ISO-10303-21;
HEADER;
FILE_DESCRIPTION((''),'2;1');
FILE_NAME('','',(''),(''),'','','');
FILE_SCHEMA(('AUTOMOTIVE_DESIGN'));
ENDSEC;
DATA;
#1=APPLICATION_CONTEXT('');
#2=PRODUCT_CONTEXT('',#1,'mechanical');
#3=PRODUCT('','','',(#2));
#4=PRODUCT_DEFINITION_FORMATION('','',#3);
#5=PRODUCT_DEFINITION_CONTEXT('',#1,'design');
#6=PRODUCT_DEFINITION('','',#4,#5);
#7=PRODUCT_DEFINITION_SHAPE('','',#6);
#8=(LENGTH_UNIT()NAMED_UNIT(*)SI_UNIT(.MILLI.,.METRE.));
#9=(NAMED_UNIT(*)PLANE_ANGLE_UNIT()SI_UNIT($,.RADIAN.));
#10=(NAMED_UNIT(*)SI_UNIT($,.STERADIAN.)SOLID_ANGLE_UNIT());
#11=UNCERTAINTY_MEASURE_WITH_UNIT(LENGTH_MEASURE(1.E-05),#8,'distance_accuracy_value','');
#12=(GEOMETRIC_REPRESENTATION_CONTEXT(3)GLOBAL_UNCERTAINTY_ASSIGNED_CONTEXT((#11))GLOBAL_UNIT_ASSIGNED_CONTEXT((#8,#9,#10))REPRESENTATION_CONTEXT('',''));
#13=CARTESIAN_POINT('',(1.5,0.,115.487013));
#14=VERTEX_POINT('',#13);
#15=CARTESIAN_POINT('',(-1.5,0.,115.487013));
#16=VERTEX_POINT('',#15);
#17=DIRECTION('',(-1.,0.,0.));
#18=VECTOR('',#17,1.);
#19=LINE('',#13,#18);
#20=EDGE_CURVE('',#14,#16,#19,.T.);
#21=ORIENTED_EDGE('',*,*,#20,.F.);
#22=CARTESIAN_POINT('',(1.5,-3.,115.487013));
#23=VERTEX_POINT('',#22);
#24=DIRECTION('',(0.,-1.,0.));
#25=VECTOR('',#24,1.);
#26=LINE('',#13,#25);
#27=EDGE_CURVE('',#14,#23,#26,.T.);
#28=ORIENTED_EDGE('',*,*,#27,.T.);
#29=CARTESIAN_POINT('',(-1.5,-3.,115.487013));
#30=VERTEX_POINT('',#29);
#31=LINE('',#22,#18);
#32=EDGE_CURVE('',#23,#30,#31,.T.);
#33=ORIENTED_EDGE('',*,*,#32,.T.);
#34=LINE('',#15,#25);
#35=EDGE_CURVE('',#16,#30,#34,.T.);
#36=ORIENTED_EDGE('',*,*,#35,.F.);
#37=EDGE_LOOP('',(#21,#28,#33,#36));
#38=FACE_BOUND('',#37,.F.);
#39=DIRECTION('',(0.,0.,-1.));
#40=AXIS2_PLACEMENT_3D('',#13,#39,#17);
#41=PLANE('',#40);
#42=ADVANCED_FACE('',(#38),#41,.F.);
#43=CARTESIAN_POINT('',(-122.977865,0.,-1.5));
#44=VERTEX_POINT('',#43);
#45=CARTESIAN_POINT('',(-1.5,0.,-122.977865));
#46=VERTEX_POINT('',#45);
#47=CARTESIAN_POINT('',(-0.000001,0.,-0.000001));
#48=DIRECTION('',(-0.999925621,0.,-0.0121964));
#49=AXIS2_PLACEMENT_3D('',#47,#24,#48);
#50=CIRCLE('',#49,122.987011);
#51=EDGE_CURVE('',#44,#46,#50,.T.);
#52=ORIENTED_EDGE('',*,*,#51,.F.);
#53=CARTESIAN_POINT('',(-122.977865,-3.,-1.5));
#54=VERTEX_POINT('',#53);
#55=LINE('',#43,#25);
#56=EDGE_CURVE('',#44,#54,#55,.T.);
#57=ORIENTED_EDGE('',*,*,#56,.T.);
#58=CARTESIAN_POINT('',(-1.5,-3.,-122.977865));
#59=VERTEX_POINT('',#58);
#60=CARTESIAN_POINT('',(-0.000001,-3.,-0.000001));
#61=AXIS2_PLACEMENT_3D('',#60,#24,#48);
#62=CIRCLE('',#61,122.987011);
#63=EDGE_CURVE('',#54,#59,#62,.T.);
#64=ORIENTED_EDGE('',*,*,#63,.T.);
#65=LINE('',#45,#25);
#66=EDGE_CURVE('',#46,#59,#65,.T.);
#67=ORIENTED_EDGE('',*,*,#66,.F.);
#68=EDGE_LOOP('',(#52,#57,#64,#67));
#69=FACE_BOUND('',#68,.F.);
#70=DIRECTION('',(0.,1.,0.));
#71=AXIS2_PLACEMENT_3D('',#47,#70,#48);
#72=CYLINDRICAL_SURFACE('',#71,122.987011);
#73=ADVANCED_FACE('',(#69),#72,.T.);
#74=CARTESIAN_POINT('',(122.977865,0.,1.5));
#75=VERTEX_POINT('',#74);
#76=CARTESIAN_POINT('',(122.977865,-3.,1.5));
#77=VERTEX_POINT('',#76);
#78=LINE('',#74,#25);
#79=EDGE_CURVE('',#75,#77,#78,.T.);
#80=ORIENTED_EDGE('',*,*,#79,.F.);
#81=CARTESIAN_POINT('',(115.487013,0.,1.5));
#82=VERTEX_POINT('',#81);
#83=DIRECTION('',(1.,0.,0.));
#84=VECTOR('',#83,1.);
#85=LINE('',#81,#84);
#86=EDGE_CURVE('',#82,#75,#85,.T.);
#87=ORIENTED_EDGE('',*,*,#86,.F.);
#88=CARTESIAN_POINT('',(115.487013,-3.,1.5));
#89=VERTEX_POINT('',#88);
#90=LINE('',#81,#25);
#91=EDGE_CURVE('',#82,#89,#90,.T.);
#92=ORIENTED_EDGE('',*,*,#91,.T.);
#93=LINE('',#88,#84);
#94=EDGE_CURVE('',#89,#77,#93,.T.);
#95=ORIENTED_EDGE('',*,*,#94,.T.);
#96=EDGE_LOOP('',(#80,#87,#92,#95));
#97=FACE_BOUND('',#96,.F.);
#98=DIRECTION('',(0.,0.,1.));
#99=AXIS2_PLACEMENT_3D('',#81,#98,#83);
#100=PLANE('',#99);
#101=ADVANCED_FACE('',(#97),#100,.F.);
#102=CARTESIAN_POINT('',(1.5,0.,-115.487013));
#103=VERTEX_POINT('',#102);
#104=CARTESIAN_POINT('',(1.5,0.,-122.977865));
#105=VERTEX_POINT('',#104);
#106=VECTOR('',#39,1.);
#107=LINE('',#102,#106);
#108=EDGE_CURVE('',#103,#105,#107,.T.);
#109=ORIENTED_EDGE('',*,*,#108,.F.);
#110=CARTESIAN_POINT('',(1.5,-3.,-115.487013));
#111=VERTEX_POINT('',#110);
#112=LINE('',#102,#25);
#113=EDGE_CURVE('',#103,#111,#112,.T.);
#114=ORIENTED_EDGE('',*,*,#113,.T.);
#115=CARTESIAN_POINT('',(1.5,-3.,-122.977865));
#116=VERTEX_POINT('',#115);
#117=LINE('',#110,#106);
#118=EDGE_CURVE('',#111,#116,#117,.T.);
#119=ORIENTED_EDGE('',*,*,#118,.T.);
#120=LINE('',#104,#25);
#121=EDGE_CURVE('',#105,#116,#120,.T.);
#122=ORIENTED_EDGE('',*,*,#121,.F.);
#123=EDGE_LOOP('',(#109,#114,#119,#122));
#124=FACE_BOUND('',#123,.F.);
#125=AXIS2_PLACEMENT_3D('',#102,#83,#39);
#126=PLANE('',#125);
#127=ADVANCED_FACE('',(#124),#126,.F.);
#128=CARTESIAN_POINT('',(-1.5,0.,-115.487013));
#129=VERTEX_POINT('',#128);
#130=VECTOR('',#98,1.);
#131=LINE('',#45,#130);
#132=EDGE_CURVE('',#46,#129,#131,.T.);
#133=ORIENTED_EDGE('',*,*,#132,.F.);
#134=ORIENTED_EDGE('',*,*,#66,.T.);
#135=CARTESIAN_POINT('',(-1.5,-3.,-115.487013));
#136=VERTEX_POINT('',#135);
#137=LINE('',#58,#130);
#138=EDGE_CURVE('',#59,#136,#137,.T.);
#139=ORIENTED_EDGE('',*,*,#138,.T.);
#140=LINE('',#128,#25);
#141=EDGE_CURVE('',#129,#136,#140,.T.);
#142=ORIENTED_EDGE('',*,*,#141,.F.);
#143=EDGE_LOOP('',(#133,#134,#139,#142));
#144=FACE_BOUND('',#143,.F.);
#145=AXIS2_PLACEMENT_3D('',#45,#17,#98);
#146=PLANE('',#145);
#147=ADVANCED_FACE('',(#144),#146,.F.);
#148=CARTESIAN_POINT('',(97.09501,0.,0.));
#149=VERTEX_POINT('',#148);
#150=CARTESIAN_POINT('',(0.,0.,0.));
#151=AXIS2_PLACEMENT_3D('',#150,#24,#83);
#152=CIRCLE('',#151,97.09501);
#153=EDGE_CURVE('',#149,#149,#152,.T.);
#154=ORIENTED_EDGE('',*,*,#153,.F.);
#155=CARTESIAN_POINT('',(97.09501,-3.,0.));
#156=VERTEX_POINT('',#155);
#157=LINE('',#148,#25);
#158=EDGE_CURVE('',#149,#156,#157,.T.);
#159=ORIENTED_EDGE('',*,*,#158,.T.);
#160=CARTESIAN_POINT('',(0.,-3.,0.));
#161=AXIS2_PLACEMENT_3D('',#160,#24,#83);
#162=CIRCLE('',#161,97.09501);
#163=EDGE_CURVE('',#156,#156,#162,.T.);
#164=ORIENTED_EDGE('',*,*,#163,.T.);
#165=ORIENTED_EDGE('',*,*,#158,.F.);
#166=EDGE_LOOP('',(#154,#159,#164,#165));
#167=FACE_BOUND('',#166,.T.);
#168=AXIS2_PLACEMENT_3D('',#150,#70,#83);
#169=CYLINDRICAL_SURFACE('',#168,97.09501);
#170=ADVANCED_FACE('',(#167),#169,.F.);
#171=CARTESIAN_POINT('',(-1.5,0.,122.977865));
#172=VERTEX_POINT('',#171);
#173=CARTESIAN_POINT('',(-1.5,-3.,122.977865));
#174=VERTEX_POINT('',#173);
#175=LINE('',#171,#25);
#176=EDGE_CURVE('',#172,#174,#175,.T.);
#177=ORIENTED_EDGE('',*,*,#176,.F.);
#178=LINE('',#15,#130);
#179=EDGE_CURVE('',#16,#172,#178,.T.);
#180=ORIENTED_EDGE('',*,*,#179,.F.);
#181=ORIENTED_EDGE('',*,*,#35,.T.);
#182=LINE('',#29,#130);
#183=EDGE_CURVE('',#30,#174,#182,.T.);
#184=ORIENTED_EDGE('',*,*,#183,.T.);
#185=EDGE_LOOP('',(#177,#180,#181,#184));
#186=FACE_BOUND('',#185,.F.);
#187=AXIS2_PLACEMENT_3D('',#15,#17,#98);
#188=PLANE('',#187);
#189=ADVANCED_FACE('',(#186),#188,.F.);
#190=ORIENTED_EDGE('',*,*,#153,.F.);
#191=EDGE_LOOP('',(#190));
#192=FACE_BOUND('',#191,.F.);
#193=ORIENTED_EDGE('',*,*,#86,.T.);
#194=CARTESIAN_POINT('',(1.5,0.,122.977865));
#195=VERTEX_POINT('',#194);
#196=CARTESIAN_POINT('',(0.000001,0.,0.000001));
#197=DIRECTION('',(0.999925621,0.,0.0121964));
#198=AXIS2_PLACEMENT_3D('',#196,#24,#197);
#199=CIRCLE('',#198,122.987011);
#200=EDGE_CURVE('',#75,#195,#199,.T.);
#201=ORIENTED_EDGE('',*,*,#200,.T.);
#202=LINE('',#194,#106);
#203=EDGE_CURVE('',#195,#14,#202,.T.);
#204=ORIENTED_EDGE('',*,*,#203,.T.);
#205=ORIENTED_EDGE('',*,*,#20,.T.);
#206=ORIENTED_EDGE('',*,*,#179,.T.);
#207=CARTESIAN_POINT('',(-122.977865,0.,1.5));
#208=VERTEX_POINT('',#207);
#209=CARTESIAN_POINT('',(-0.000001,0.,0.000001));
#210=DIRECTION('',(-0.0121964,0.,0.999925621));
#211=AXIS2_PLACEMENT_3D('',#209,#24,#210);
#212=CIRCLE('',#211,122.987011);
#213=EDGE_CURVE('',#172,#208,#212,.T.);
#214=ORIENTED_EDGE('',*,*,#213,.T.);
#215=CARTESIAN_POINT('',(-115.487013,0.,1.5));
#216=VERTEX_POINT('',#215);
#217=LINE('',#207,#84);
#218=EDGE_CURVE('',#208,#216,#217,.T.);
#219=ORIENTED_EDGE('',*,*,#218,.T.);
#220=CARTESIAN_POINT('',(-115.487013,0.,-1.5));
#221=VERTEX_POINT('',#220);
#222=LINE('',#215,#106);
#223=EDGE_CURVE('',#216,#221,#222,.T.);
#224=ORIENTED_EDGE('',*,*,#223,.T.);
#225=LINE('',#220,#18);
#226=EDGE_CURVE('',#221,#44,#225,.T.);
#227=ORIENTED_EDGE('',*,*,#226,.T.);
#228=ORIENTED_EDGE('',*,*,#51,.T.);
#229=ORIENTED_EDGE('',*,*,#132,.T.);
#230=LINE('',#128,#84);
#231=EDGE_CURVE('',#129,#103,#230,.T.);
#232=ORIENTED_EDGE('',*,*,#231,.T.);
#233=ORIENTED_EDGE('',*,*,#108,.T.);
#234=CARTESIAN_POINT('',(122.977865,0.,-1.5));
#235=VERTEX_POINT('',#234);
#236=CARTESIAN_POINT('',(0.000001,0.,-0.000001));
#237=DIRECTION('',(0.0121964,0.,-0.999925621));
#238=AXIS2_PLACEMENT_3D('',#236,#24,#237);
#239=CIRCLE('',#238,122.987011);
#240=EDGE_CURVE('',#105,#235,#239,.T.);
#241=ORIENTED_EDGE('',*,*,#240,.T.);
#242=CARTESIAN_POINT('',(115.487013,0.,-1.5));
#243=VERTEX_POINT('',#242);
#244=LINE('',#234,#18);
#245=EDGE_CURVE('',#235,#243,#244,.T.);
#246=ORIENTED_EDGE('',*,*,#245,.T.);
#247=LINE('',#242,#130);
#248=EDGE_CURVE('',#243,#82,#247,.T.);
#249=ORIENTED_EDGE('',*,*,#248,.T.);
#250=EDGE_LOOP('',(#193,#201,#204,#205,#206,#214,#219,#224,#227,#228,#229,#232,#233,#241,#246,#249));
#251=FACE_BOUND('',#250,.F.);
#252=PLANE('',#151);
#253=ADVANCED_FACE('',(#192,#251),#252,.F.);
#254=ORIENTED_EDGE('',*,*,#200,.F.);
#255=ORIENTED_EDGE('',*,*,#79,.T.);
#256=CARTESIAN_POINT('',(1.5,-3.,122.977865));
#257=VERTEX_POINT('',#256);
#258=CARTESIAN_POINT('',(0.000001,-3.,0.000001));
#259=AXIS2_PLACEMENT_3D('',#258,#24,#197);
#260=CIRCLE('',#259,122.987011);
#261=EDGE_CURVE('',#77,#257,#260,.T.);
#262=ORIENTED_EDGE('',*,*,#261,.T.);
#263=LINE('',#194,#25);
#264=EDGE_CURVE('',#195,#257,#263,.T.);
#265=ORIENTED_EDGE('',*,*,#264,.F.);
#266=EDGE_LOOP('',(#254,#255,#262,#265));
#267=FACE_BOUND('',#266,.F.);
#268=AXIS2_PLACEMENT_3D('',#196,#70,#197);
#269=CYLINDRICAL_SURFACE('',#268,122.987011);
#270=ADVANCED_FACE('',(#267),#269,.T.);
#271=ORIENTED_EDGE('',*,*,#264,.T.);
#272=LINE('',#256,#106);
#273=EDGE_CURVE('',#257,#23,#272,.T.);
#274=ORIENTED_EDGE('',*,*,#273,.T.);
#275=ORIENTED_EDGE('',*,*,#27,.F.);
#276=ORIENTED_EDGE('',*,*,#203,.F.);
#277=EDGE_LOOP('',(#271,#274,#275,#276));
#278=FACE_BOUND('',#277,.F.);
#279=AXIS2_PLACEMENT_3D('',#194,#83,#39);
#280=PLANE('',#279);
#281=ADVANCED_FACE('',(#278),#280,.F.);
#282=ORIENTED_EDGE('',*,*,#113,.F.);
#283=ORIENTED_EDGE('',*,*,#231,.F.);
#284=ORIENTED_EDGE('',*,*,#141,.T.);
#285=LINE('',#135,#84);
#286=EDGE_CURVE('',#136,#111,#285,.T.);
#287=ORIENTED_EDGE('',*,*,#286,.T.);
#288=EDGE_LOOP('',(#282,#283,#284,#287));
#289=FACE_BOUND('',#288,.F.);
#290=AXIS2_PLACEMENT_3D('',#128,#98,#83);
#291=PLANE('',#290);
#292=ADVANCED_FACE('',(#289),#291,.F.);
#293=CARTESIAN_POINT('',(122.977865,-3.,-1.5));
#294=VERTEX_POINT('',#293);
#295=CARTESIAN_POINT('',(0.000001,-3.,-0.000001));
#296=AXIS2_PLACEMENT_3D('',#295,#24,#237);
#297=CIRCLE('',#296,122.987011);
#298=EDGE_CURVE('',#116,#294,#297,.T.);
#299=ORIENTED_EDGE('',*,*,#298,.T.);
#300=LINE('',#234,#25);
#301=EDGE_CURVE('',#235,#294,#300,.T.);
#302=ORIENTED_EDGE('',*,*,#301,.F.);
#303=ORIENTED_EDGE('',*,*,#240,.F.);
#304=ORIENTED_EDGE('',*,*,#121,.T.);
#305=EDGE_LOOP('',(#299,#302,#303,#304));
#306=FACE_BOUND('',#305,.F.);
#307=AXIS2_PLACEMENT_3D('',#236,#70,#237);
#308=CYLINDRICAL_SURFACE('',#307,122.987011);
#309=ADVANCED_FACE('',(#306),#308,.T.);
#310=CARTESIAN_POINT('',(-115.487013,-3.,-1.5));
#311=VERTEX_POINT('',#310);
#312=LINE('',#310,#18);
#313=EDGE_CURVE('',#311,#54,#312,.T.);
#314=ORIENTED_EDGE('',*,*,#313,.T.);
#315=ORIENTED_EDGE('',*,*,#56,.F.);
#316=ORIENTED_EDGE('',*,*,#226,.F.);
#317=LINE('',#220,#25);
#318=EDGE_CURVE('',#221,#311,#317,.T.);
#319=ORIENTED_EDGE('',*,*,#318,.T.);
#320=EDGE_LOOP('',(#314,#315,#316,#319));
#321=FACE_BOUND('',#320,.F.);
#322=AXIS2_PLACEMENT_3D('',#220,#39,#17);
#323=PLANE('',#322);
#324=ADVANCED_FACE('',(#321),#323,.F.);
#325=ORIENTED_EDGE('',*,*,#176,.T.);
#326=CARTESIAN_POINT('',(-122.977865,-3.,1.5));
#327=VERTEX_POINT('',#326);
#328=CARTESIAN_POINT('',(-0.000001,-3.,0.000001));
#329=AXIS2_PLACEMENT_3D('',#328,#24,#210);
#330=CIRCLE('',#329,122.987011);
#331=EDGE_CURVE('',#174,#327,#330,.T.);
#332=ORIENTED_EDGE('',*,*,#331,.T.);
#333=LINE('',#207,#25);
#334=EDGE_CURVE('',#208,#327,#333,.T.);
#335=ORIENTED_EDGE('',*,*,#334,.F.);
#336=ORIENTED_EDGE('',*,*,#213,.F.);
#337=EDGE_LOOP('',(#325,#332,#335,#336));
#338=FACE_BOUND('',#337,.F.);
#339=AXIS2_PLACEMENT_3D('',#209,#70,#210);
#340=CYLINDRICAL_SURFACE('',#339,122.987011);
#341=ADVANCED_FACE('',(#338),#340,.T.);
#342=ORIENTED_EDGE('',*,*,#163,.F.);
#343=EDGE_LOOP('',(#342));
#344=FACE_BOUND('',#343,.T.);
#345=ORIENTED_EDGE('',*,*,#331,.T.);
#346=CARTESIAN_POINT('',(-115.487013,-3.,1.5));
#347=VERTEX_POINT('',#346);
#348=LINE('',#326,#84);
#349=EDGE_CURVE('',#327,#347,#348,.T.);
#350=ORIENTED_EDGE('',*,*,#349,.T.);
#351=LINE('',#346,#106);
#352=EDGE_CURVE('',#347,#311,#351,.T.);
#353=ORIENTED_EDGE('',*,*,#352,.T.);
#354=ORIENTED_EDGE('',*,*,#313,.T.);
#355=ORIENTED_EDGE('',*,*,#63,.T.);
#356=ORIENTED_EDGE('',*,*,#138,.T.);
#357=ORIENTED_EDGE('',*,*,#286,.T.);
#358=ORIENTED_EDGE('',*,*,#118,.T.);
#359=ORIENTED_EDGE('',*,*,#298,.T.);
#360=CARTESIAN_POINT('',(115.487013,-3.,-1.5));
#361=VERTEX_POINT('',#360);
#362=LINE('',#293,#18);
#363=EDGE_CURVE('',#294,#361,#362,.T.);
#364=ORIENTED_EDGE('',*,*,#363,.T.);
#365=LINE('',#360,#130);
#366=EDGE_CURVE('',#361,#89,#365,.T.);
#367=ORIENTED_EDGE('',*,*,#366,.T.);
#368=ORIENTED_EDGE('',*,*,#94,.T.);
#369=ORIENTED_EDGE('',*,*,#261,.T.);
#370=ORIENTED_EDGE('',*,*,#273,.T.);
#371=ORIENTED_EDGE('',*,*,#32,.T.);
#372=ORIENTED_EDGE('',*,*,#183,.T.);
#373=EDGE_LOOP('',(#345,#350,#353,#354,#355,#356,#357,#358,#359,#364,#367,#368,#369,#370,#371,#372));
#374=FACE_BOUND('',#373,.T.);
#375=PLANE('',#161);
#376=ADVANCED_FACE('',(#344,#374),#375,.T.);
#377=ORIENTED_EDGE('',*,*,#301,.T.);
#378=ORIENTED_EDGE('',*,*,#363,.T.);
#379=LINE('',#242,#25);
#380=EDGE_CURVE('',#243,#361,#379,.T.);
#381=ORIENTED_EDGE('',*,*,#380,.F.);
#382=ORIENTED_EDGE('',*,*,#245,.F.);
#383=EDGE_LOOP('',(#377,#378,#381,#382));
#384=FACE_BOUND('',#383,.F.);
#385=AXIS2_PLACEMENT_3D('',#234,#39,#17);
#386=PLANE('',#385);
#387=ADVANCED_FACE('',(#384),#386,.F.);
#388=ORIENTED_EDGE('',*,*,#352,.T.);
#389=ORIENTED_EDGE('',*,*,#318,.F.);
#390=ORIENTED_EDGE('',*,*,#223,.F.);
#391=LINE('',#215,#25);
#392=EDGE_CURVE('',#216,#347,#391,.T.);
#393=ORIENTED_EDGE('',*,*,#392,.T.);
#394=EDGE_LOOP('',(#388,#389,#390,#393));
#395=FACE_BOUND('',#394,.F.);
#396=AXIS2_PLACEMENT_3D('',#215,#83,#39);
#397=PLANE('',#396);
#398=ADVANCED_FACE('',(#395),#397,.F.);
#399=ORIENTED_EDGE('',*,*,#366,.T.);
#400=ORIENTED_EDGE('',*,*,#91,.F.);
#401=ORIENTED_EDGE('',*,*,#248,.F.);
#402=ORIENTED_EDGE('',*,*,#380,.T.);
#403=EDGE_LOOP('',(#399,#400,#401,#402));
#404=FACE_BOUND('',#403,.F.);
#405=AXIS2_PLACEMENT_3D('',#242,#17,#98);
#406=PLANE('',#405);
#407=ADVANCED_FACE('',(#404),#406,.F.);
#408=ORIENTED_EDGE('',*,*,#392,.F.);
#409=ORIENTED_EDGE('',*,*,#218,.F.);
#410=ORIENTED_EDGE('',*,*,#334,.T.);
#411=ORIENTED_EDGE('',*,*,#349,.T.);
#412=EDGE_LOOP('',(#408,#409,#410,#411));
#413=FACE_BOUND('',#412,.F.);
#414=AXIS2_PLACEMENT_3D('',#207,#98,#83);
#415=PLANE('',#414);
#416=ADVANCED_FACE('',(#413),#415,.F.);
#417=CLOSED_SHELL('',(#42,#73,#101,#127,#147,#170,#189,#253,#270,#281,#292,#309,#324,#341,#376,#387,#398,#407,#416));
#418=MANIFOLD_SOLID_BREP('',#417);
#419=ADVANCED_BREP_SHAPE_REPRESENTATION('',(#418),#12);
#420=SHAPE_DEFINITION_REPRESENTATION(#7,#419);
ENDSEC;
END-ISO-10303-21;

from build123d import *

# Parameters (mm, degrees)
F0_R     = 97.09501
F1_DEPTH = 3


with BuildPart() as f1:
    # F0 (on Front) → F1 (new body)
    with BuildSketch(Plane.XZ):
        with BuildLine():
            Line((-1.5, 115.487013), (-1.5, 122.977865))
            ThreePointArc((-1.5, 122.977865), (-86.964951, 86.964951), (-122.977865, 1.5))
            Line((-122.977865, 1.5), (-115.487013, 1.5))
            Line((-115.487013, 1.5), (-115.487013, -1.5))
            Line((-115.487013, -1.5), (-122.977865, -1.5))
            ThreePointArc((-122.977865, -1.5), (-86.964951, -86.964951), (-1.5, -122.977865))
            Line((-1.5, -122.977865), (-1.5, -115.487013))
            Line((-1.5, -115.487013), (1.5, -115.487013))
            Line((1.5, -115.487013), (1.5, -122.977865))
            ThreePointArc((1.5, -122.977865), (86.964951, -86.964951), (122.977865, -1.5))
            Line((122.977865, -1.5), (115.487013, -1.5))
            Line((115.487013, -1.5), (115.487013, 1.5))
            Line((115.487013, 1.5), (122.977865, 1.5))
            ThreePointArc((122.977865, 1.5), (86.964951, 86.964951), (1.5, 122.977865))
            Line((1.5, 122.977865), (1.5, 115.487013))
            Line((1.5, 115.487013), (-1.5, 115.487013))
        make_face()
        Circle(F0_R, mode=Mode.SUBTRACT)
    extrude(amount=F1_DEPTH)


solid = f1.part
